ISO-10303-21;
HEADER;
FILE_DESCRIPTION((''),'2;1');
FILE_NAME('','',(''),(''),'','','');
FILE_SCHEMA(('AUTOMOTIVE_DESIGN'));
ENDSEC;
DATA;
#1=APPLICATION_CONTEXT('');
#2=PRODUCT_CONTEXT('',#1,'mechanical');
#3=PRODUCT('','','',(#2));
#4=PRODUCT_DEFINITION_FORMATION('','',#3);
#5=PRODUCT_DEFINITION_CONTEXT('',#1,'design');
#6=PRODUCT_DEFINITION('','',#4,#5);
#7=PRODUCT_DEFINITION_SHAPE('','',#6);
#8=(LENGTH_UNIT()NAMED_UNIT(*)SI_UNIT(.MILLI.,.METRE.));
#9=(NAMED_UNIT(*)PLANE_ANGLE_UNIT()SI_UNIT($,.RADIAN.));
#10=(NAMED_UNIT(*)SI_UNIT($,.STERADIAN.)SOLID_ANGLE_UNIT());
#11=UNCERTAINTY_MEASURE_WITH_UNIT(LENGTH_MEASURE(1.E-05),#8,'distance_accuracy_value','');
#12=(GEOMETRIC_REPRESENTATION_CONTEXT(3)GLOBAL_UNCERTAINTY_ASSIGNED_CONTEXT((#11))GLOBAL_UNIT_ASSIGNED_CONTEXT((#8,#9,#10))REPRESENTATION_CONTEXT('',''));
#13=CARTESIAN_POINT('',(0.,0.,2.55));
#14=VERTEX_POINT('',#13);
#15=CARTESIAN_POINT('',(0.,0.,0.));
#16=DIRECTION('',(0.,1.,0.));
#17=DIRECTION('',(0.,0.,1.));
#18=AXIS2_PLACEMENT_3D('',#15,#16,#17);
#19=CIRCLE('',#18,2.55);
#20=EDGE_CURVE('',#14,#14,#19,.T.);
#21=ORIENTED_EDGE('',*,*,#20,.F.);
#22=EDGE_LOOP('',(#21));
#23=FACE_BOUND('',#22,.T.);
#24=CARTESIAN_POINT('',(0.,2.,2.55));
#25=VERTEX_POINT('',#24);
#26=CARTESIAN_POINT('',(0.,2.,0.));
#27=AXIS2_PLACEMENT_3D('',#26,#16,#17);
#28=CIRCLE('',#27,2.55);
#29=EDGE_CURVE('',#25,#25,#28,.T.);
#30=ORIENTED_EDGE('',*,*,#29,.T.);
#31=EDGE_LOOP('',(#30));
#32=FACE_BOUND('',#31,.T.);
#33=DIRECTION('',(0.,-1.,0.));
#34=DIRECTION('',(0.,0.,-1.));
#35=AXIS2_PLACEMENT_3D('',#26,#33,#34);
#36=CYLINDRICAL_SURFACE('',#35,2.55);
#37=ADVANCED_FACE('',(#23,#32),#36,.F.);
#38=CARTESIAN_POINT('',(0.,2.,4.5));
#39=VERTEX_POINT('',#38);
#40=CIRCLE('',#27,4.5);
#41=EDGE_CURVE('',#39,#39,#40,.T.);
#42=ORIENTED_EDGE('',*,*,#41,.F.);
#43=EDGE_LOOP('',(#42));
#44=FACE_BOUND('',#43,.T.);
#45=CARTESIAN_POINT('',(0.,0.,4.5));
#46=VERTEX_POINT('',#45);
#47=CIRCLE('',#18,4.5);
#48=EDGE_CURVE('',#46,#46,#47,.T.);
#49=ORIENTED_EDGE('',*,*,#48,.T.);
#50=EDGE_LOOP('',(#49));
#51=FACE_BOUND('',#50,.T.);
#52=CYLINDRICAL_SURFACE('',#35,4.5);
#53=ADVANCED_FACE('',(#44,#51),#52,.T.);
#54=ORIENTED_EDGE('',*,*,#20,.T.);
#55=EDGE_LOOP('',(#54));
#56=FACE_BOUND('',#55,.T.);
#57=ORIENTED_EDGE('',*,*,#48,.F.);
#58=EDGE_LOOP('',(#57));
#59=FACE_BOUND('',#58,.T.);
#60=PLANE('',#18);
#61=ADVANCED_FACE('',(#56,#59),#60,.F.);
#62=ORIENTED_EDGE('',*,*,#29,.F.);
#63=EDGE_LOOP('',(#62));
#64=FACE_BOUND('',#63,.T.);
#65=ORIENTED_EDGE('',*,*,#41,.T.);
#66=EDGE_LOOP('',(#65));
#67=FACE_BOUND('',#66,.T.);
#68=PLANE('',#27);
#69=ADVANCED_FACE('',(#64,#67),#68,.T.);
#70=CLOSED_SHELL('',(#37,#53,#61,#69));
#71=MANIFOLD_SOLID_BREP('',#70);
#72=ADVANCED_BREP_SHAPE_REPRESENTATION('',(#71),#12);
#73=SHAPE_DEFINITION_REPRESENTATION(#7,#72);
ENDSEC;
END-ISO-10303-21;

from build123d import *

# Parameters (mm, degrees)
SKETCH3_R           = 4.5
SKETCH3_R_2         = 2.55
BOSS_EXTRUDE1_DEPTH = 2


with BuildPart() as part:
    # Sketch3 → Boss-Extrude1 (new body)
    with BuildSketch(Plane(origin=(0, 0, 0), x_dir=(1, 0, 0), z_dir=(0, 1, 0))):
        with Locations(Location((0, 0, 0), (0, 0, 270))):
            Circle(SKETCH3_R)
        with Locations(Location((0, 0, 0), (0, 0, 270))):
            Circle(SKETCH3_R_2, mode=Mode.SUBTRACT)
    extrude(amount=BOSS_EXTRUDE1_DEPTH)


solid = part.part
